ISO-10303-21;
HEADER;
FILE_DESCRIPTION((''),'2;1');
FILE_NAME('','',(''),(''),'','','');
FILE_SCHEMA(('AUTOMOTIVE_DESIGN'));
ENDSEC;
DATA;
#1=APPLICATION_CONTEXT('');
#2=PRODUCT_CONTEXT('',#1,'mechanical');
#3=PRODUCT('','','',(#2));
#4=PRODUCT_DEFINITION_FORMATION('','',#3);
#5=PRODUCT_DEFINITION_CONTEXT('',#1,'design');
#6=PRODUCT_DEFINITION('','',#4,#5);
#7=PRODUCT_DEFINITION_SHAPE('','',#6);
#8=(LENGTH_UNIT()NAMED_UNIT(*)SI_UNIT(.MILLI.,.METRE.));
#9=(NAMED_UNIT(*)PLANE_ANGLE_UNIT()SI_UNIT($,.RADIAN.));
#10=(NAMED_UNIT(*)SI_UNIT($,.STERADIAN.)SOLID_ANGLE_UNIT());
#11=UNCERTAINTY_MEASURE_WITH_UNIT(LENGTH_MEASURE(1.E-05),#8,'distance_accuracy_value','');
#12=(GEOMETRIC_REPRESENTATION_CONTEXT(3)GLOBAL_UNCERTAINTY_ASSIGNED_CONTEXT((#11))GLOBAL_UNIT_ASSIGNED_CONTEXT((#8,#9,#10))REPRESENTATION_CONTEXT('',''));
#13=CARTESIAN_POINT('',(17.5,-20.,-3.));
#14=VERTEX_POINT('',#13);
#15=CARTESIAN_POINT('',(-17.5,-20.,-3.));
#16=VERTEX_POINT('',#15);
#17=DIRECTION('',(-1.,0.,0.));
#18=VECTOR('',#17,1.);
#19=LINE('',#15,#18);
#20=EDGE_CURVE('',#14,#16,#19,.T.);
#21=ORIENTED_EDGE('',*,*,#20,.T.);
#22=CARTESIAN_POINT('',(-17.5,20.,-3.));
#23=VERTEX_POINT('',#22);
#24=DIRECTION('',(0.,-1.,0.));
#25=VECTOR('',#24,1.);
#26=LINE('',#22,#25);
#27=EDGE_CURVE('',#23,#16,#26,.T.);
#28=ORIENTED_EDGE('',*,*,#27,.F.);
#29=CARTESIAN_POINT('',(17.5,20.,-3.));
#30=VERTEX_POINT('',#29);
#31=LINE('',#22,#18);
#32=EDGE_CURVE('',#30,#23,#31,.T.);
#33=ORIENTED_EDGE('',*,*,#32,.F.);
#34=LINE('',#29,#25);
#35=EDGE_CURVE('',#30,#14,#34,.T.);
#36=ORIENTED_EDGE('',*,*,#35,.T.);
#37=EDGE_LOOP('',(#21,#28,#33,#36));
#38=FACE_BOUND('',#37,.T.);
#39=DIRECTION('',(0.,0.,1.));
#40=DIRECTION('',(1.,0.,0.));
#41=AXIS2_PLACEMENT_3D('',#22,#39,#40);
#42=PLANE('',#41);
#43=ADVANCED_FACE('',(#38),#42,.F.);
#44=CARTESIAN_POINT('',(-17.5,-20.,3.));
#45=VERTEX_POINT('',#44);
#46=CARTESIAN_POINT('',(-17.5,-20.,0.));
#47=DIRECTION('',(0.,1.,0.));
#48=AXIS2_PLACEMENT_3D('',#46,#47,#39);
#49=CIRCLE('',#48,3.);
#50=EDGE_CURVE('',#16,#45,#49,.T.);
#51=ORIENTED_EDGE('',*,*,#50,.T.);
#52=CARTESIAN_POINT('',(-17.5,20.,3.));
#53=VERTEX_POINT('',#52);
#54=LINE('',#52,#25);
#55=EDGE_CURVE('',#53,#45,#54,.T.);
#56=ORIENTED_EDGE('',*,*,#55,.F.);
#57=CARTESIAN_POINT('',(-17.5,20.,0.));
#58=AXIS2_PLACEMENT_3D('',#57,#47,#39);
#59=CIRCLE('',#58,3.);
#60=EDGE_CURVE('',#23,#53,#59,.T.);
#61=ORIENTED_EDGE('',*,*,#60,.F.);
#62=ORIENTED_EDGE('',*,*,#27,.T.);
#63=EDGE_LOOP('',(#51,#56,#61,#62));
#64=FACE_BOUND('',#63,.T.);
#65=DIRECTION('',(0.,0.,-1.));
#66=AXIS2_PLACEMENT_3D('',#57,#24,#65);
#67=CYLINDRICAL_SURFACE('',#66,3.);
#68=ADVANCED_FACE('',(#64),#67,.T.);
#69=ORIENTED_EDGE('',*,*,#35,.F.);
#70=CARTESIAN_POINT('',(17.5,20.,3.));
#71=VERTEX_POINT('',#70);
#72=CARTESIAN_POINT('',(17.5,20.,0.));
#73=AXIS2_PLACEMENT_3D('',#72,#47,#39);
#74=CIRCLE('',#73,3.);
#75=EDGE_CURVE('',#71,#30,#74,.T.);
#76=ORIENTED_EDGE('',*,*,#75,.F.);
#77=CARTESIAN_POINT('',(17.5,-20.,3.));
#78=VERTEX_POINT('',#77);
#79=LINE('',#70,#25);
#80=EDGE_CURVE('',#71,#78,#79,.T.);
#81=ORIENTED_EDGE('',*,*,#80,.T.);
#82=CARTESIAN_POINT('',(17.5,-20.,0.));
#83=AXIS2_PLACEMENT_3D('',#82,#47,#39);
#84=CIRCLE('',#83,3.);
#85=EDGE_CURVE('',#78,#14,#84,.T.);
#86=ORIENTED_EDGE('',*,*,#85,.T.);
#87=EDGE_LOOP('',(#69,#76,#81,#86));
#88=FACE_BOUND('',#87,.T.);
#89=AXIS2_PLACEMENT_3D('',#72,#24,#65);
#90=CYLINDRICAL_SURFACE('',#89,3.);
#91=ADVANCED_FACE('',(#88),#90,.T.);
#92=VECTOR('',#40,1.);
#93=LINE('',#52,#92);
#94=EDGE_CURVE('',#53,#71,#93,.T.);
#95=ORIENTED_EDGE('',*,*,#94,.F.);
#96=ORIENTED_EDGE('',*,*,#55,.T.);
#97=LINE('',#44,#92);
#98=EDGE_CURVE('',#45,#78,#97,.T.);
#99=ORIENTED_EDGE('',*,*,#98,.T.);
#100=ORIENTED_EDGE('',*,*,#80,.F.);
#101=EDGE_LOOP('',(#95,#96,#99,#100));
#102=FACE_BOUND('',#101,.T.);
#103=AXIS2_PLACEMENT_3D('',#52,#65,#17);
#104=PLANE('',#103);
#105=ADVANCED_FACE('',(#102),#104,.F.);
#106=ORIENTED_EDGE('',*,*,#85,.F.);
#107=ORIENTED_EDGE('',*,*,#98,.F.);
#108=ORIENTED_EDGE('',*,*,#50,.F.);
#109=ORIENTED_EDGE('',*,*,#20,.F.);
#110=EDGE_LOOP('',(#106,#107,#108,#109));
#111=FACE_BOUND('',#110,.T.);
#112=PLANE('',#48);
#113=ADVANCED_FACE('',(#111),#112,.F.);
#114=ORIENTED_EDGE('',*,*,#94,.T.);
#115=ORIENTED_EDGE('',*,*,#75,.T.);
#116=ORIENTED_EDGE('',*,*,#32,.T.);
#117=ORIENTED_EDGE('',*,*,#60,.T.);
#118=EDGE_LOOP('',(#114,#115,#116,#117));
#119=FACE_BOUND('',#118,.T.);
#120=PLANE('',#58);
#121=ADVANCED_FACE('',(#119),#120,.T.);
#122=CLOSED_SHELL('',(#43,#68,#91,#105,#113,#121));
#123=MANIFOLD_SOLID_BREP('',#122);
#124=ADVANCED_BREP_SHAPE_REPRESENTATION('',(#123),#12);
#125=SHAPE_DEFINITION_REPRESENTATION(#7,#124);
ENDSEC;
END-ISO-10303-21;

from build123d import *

# Parameters (mm, degrees)
EXTRUDE_1_DEPTH = 20


with BuildPart() as part:
    # 草图1 → 凸台-拉伸1 (new, symmetric)
    with BuildSketch(Plane(origin=(0, 0, 0), x_dir=(1, 0, 0), z_dir=(0, 1, 0))):
        with BuildLine():
            Line((-17.5, 3), (17.5, 3))
            ThreePointArc((17.5, 3), (20.5, 0), (17.5, -3))
            Line((17.5, -3), (-17.5, -3))
            ThreePointArc((-17.5, -3), (-20.5, 0), (-17.5, 3))
        make_face()
    extrude(amount=EXTRUDE_1_DEPTH, both=True)


solid = part.part
